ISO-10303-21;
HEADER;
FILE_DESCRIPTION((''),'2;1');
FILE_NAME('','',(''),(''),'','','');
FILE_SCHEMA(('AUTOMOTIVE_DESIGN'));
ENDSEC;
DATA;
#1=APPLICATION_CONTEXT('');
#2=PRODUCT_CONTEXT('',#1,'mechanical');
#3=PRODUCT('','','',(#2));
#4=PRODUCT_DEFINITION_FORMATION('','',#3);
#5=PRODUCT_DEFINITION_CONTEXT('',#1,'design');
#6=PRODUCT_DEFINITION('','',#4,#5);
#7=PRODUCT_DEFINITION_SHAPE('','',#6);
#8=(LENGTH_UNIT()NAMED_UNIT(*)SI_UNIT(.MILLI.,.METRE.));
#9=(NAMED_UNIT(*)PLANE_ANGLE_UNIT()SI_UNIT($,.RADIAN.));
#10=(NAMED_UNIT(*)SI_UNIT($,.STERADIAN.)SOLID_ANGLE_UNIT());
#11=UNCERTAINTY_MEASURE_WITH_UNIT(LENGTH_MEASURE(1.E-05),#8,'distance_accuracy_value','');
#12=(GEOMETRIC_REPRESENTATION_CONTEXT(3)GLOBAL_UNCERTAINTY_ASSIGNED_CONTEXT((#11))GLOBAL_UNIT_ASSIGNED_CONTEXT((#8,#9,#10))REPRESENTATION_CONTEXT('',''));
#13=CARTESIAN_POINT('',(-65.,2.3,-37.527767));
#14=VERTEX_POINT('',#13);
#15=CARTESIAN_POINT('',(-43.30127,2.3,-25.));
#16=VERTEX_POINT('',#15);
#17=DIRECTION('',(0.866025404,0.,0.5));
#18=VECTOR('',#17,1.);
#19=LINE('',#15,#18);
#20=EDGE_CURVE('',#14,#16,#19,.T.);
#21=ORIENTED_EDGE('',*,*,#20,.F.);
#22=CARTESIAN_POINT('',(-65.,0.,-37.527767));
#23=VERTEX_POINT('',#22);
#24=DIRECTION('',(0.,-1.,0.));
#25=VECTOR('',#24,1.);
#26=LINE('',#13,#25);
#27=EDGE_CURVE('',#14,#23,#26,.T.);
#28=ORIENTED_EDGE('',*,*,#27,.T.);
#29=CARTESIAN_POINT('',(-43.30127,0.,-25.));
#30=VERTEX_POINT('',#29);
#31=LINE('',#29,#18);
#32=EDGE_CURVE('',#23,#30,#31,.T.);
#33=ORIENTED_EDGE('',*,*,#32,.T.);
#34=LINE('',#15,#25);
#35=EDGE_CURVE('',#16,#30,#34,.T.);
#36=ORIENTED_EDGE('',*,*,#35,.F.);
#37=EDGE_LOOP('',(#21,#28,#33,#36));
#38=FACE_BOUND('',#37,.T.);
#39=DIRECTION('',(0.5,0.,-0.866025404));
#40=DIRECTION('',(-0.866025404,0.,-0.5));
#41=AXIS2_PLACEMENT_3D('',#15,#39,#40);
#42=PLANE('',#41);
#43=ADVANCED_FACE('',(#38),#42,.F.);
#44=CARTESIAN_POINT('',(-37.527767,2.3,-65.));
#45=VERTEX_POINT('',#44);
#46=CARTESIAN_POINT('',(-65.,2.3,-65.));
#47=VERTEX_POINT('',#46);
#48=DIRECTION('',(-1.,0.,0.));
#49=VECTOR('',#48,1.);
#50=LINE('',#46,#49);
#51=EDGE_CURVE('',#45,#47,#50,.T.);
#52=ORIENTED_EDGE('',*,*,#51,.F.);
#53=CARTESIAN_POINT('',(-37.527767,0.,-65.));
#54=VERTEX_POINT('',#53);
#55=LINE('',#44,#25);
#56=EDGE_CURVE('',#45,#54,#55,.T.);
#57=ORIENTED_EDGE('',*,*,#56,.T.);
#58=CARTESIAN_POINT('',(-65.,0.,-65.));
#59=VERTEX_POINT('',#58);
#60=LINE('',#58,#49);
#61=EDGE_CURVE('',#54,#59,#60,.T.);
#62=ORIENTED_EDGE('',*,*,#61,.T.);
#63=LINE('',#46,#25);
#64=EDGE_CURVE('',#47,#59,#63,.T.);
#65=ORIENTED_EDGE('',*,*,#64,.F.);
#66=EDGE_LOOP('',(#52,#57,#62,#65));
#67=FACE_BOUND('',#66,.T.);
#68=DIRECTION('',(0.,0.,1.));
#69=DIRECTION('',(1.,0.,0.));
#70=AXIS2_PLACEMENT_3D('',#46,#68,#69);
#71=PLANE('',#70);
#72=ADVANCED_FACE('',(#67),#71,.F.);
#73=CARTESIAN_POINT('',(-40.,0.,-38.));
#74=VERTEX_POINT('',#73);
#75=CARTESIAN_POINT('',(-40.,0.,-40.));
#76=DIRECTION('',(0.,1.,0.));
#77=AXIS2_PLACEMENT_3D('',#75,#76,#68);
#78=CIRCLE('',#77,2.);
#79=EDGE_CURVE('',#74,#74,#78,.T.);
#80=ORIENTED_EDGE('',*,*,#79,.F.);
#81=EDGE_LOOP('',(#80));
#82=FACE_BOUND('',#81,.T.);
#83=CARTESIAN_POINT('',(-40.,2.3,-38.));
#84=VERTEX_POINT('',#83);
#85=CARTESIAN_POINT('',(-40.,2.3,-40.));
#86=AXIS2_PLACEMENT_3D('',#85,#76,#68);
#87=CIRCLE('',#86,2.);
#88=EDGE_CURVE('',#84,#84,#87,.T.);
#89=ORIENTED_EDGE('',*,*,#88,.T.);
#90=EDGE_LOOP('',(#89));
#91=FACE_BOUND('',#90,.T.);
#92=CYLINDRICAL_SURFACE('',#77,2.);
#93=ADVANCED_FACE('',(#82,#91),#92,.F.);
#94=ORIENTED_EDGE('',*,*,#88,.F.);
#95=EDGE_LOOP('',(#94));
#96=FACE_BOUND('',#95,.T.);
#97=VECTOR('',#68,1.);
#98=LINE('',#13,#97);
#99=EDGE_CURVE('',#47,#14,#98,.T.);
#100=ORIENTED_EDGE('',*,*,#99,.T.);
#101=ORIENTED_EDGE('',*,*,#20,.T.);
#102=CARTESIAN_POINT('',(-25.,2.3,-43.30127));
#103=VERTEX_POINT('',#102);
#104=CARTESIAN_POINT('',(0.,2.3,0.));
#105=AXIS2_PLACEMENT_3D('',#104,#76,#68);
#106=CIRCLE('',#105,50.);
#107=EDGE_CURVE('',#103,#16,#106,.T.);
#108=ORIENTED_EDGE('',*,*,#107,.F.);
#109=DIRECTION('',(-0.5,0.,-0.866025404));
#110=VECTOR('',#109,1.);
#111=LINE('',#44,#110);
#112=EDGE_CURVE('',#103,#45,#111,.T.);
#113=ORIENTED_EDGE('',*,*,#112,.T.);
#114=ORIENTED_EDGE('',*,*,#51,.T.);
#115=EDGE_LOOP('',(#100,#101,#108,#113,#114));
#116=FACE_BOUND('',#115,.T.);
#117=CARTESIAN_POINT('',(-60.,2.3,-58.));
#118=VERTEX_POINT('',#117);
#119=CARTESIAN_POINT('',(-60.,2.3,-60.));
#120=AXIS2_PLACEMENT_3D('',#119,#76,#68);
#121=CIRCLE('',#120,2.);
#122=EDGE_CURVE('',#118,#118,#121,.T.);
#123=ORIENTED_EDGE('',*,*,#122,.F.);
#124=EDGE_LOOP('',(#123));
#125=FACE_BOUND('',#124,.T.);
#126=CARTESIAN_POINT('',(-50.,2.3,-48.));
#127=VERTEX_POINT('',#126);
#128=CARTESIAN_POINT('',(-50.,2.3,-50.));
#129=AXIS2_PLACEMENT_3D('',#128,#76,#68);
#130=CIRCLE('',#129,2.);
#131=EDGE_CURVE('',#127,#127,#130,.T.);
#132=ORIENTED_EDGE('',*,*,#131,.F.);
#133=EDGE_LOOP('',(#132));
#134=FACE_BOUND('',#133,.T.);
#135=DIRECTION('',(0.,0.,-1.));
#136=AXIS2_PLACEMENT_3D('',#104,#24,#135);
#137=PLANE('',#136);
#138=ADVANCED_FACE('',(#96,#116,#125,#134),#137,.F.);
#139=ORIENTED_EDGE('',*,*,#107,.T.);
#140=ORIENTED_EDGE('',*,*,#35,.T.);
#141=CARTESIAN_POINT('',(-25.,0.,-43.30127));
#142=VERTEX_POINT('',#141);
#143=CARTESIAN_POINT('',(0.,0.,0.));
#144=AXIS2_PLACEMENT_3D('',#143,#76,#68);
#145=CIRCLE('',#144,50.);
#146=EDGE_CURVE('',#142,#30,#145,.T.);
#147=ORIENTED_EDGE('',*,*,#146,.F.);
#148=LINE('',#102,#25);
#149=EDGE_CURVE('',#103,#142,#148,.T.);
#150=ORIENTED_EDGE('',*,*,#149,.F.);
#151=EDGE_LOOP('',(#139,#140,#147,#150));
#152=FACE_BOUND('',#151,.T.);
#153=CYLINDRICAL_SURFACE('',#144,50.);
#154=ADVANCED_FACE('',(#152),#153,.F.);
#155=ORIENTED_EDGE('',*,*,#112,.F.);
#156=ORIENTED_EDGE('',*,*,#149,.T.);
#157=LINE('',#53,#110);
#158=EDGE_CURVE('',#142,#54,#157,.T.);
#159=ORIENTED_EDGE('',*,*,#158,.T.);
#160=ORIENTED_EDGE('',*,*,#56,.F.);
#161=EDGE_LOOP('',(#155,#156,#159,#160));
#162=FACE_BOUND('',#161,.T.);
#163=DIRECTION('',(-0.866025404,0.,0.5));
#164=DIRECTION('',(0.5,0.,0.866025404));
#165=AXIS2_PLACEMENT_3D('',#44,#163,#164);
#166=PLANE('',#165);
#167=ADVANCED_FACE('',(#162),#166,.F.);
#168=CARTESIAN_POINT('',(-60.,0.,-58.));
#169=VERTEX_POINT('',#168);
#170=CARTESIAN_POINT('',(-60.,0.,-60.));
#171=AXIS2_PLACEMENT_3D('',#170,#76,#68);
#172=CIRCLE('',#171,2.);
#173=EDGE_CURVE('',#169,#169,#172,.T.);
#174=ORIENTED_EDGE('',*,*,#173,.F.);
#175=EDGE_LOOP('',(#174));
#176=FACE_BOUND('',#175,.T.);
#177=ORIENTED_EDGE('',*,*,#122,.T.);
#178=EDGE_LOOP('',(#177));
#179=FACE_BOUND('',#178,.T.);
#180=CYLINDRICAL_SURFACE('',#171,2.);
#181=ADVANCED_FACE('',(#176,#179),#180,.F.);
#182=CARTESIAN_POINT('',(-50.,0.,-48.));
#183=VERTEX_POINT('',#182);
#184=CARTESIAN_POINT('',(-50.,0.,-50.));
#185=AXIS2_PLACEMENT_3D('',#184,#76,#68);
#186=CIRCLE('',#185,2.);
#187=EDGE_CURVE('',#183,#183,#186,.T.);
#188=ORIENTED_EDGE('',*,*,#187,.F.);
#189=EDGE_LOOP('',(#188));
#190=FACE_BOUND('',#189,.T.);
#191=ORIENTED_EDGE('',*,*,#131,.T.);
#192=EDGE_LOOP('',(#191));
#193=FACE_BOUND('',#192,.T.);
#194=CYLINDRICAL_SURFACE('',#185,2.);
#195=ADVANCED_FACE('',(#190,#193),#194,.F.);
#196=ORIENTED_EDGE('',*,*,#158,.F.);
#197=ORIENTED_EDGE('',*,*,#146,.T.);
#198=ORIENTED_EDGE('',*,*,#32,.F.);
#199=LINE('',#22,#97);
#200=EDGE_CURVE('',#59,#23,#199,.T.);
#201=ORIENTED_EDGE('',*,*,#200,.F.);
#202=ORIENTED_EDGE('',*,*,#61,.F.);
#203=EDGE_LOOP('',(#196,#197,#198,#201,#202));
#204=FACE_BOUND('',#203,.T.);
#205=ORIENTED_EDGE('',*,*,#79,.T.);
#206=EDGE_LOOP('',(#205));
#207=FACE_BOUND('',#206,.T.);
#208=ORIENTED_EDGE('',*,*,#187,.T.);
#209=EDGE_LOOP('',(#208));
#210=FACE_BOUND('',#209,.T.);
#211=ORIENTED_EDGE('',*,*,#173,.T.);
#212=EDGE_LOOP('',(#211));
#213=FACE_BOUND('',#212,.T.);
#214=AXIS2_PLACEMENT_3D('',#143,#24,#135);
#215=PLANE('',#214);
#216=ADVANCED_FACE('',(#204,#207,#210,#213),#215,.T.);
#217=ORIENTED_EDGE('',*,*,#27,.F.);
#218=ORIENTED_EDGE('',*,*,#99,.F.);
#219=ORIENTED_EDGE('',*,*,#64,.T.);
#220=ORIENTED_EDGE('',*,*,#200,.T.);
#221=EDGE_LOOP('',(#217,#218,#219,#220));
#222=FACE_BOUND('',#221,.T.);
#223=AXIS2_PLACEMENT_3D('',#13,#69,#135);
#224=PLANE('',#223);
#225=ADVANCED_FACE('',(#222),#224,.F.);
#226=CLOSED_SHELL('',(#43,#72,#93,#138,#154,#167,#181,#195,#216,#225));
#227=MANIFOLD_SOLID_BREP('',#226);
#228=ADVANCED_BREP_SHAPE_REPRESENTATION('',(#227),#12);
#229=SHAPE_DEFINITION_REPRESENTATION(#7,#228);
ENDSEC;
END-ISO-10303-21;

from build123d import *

# Parameters (mm, degrees)
BOSS_EXTRUDE1_DEPTH = 2.3
SKETCH4_R           = 2
SKETCH4_R_2         = 50
CUT_EXTRUDE1_DEPTH  = 92.952650859


with BuildPart() as part:
    # Sketch3 → Boss-Extrude1 (new body)
    with BuildSketch(Plane(origin=(0, 0, 0), x_dir=(1, 0, 0), z_dir=(0, 1, 0))):
        Polygon((-65, 65), (-37.527767497, 65), (-25, 43.301270189), (-43.301270189, 25), (-65, 37.527767497), align=None)
    extrude(amount=BOSS_EXTRUDE1_DEPTH)

    # Sketch4 → Cut-Extrude1 (cut, through all)
    with BuildSketch(Plane(origin=(0, 2.3, 0), x_dir=(1, 0, 0), z_dir=(0, 1, 0))):
        with Locations(Location((-60, 60, 0), (0, 0, 270))):
            Circle(SKETCH4_R)
        with Locations(Location((-50, 50, 0), (0, 0, 270))):
            Circle(SKETCH4_R)
        with Locations(Location((-40, 40, 0), (0, 0, 270))):
            Circle(SKETCH4_R)
        Circle(SKETCH4_R_2)
    extrude(amount=-CUT_EXTRUDE1_DEPTH, mode=Mode.SUBTRACT)


solid = part.part
